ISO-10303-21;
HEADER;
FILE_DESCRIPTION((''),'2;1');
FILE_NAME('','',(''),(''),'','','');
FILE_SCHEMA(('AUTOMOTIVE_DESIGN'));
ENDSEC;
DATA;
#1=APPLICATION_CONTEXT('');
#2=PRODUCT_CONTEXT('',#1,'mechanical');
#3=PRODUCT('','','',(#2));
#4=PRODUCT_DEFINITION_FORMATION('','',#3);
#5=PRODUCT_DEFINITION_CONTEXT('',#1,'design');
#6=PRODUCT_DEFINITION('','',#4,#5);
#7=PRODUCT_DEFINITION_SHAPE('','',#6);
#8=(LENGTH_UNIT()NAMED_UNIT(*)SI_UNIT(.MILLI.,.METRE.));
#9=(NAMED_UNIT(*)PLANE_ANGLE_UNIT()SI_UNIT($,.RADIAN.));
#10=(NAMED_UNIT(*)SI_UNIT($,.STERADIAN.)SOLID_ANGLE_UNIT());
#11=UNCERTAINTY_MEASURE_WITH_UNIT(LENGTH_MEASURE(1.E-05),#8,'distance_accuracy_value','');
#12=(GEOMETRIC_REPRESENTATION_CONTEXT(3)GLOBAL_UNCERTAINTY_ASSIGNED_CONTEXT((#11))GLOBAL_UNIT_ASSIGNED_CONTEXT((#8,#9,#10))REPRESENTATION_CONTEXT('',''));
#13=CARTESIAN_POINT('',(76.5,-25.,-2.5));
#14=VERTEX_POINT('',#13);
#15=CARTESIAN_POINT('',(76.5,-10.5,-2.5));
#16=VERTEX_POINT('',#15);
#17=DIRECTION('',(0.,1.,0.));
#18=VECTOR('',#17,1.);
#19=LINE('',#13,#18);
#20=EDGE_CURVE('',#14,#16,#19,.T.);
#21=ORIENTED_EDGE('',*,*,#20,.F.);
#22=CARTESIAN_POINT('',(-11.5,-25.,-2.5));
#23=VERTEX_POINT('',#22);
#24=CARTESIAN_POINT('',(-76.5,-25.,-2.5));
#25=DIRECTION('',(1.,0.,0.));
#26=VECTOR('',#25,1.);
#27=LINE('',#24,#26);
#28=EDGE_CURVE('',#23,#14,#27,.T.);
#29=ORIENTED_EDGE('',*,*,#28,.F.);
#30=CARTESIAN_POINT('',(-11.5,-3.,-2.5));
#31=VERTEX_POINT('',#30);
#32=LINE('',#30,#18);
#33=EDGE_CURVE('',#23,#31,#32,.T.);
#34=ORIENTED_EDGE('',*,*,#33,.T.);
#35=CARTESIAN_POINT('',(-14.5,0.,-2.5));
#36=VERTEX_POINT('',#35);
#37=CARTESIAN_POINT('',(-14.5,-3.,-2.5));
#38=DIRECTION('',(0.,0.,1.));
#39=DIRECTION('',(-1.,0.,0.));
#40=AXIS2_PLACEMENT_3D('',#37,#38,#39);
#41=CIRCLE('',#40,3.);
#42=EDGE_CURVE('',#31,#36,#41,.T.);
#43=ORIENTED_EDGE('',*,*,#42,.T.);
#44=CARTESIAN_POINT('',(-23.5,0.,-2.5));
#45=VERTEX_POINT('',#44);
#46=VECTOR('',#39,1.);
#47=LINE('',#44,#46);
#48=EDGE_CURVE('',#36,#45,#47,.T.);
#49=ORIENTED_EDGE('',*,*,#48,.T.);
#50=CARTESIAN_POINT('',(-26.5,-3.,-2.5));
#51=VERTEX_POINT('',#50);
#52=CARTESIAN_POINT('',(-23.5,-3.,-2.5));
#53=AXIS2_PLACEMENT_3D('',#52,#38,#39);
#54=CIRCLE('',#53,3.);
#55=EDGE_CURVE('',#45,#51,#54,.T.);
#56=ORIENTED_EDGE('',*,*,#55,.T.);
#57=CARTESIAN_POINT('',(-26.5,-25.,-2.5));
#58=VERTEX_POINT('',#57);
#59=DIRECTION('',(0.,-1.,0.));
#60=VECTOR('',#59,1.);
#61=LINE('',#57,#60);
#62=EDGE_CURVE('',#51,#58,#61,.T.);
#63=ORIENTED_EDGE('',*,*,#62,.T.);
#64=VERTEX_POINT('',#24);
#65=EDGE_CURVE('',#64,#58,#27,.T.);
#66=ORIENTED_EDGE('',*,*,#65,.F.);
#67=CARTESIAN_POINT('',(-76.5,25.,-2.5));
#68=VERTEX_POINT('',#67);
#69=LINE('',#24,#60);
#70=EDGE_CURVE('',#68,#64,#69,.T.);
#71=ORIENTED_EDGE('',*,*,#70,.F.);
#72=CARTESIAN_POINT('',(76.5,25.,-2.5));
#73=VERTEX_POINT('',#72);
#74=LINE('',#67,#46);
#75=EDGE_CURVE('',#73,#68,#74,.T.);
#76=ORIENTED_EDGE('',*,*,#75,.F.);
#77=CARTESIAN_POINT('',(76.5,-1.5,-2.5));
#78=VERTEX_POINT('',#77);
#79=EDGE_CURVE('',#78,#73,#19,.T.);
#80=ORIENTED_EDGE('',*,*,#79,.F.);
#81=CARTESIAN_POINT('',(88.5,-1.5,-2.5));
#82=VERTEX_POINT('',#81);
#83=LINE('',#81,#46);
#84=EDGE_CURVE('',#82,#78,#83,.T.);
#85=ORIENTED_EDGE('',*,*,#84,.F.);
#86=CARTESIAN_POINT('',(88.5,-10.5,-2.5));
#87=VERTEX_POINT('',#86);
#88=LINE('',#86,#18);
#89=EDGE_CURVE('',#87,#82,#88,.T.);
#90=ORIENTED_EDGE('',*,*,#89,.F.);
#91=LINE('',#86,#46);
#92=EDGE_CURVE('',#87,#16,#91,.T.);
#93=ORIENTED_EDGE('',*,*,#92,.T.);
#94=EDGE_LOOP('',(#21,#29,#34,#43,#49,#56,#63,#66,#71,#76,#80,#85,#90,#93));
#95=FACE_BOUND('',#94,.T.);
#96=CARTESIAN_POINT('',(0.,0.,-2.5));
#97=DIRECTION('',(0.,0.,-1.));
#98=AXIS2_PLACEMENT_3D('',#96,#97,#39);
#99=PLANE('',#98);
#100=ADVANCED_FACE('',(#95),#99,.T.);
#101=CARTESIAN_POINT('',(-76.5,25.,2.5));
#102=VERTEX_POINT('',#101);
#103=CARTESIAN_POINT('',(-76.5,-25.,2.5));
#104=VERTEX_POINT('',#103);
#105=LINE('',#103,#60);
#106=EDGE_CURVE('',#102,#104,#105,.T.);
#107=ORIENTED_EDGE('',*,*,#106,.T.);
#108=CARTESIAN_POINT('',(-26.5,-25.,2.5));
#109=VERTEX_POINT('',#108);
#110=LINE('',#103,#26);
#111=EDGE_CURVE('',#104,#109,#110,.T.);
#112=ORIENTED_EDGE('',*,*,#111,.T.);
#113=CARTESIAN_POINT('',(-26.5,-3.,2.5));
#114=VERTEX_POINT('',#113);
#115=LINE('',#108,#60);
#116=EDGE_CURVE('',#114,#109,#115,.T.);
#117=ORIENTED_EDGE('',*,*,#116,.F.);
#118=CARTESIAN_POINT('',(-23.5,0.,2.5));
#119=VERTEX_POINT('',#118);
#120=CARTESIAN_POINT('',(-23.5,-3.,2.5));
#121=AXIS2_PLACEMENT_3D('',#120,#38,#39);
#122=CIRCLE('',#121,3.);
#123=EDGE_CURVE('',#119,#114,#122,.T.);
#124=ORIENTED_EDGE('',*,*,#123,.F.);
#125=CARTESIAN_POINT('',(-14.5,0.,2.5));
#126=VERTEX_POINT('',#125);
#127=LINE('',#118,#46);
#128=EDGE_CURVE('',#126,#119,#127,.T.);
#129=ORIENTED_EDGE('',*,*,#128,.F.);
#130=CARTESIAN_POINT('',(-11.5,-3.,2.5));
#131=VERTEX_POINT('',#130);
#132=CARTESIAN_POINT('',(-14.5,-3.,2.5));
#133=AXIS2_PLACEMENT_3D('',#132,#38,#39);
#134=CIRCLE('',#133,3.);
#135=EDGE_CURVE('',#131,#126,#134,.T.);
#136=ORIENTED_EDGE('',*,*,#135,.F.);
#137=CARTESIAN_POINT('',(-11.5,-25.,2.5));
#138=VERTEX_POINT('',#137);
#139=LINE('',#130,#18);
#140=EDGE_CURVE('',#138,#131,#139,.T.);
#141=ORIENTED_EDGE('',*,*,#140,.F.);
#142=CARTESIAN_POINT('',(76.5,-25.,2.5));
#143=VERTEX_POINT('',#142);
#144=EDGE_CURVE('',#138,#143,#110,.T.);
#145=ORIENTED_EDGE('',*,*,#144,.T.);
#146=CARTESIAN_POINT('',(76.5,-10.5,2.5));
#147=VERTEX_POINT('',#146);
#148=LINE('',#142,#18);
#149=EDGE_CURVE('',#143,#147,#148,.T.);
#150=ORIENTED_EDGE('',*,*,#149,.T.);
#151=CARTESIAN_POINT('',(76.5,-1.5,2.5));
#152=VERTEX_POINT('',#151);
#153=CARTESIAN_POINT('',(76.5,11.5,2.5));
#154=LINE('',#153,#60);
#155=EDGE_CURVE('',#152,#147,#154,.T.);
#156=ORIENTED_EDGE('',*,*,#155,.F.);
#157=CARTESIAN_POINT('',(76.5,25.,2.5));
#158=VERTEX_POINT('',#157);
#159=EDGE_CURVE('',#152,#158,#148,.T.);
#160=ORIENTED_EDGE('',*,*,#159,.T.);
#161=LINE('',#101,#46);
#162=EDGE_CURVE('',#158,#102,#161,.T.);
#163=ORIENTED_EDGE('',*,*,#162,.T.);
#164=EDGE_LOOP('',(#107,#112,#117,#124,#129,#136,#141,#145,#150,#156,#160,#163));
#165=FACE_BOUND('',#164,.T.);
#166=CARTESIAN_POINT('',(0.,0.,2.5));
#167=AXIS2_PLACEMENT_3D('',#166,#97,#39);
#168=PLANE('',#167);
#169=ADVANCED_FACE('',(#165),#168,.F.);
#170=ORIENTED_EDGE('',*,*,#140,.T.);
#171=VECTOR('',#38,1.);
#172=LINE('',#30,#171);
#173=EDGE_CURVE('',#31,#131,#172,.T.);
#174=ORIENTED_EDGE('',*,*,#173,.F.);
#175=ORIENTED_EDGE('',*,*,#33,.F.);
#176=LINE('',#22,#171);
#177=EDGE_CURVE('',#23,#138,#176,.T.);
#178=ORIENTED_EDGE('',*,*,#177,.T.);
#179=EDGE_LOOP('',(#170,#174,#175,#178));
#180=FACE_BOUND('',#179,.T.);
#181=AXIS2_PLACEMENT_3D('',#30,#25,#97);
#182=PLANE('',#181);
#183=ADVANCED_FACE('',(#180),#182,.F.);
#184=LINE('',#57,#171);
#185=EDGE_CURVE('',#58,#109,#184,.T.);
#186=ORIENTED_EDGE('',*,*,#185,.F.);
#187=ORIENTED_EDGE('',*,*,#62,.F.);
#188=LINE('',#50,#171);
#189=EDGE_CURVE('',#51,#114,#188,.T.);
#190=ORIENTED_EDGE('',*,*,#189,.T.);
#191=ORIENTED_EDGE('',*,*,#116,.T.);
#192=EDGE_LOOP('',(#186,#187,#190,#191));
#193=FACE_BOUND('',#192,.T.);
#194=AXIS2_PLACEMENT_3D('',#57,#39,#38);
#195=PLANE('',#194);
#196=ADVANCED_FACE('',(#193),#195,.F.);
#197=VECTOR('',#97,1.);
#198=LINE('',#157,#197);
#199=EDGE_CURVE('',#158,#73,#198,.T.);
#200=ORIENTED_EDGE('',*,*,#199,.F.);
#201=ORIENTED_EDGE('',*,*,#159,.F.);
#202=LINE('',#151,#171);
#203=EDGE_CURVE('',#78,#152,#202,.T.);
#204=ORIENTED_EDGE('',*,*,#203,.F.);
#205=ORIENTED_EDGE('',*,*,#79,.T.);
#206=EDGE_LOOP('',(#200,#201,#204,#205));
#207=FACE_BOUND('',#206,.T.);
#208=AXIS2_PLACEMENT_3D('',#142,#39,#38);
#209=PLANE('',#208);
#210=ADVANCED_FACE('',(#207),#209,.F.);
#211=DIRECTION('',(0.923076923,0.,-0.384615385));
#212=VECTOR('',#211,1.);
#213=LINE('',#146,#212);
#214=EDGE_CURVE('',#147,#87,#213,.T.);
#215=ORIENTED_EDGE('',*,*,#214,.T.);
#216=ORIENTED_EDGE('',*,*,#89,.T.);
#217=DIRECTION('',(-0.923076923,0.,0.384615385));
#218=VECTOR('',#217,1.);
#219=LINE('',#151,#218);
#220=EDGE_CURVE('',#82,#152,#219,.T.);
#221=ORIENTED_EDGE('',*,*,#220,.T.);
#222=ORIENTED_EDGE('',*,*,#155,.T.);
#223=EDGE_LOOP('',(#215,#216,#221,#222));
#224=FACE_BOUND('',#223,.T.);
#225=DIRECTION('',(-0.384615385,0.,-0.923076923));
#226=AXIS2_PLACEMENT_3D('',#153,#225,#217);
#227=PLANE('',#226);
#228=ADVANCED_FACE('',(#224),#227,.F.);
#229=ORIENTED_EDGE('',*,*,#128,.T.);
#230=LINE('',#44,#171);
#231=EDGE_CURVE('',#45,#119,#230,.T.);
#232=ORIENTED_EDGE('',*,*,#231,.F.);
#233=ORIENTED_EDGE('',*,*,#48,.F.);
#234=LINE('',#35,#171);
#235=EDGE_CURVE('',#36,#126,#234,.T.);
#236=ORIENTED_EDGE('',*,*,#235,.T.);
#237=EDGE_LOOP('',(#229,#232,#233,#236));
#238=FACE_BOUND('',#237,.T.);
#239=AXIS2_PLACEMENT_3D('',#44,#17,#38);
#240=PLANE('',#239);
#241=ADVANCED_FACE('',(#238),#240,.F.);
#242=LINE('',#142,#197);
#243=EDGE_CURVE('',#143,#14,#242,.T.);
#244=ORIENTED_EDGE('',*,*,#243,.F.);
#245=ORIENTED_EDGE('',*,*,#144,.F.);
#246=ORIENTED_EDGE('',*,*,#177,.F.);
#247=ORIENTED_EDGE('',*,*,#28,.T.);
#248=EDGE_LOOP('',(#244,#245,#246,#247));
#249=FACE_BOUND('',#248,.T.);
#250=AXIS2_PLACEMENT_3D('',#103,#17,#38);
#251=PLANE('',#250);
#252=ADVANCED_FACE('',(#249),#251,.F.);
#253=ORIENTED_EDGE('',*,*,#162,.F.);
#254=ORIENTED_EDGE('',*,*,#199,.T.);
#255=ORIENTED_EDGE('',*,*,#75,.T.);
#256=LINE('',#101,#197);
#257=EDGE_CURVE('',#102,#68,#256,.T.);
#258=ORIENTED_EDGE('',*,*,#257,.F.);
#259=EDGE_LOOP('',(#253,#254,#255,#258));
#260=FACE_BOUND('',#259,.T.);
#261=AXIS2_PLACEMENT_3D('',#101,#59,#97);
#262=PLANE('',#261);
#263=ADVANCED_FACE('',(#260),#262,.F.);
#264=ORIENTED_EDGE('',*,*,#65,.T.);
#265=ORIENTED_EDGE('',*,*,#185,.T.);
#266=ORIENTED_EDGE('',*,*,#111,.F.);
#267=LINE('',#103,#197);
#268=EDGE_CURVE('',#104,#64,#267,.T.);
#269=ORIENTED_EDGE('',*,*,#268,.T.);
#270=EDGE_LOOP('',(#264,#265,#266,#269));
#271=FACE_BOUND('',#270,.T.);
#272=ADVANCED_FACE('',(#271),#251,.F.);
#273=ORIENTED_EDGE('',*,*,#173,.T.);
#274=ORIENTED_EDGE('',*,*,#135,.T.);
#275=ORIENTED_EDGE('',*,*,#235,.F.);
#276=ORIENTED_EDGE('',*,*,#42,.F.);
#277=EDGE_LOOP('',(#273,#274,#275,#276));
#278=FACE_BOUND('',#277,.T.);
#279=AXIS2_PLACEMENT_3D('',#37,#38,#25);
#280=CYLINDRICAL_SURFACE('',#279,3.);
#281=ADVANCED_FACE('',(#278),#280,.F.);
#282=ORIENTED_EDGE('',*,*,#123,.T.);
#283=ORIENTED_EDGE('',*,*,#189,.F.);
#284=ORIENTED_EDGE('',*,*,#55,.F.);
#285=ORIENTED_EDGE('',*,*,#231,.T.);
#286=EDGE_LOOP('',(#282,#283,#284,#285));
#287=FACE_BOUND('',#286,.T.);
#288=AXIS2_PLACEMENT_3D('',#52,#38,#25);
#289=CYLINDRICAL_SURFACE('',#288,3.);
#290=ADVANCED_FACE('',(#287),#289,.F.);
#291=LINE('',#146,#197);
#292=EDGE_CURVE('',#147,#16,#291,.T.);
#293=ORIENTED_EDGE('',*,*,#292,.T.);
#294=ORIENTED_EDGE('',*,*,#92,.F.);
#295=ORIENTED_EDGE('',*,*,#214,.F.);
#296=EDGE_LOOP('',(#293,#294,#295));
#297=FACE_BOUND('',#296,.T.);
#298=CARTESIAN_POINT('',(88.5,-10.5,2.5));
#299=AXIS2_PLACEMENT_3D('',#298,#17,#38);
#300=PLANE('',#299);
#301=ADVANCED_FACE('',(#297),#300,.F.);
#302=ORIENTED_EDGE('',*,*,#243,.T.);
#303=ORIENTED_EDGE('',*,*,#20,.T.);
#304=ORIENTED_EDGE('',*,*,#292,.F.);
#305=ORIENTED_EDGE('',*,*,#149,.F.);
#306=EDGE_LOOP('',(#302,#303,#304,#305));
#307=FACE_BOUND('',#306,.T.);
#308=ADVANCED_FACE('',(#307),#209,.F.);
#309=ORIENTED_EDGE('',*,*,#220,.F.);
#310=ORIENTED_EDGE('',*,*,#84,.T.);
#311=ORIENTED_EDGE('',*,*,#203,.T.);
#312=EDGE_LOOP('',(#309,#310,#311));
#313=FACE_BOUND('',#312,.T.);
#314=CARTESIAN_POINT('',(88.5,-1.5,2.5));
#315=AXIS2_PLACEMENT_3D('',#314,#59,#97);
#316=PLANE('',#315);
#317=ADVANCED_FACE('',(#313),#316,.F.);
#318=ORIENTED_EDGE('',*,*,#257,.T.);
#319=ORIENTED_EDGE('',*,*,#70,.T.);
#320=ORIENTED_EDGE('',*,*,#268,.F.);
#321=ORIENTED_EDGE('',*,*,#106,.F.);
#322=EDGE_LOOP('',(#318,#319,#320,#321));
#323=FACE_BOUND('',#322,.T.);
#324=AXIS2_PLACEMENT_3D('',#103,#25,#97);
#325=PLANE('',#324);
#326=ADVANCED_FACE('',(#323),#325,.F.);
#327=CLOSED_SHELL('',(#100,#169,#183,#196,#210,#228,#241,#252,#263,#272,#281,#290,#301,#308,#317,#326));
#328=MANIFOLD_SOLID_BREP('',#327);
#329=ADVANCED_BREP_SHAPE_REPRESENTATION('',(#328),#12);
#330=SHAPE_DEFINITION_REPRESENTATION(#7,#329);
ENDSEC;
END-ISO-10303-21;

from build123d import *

# Parameters (mm, degrees)
SKETCH1_W           = 153
SKETCH1_H           = 50
BOSS_EXTRUDE1_DEPTH = 2.5
CUT_EXTRUDE1_DEPTH  = 6
SKETCH5_W           = 5
SKETCH5_H           = 9
BOSS_EXTRUDE2_DEPTH = 12
CUT_EXTRUDE2_DEPTH  = 9


with BuildPart() as part:
    # Sketch1 → Boss-Extrude1 (new body, symmetric)
    with BuildSketch(Plane.XY):
        Rectangle(SKETCH1_W, SKETCH1_H)
    extrude(amount=BOSS_EXTRUDE1_DEPTH, both=True)

    # Sketch2 → Cut-Extrude1 (cut, through all)
    with BuildSketch(Plane.XY.offset(2.5)):
        with BuildLine():
            Line((-26.5, -25), (-26.5, -3))
            ThreePointArc((-26.5, -3), (-25.621320344, -0.878679656), (-23.5, 0))
            Line((-23.5, 0), (-14.5, 0))
            ThreePointArc((-14.5, 0), (-12.378679656, -0.878679656), (-11.5, -3))
            Line((-11.5, -3), (-11.5, -25))
            Line((-11.5, -25), (-26.5, -25))
        make_face()
    extrude(amount=-CUT_EXTRUDE1_DEPTH, mode=Mode.SUBTRACT)

    # Sketch5 → Boss-Extrude2 (add)
    with BuildSketch(Plane(origin=(76.5, 0, 0), x_dir=(0, 0, -1), z_dir=(1, 0, 0))):
        with Locations((0, -6)):
            Rectangle(SKETCH5_W, SKETCH5_H)
    extrude(amount=BOSS_EXTRUDE2_DEPTH)

    # Sketch7 → Cut-Extrude2 (cut)
    with BuildSketch(Plane.XZ.offset(10.5)):
        Polygon((76.5, 2.5), (88.5, -2.5), (88.5, 2.5), align=None)
    extrude(amount=-CUT_EXTRUDE2_DEPTH, mode=Mode.SUBTRACT)


solid = part.part
